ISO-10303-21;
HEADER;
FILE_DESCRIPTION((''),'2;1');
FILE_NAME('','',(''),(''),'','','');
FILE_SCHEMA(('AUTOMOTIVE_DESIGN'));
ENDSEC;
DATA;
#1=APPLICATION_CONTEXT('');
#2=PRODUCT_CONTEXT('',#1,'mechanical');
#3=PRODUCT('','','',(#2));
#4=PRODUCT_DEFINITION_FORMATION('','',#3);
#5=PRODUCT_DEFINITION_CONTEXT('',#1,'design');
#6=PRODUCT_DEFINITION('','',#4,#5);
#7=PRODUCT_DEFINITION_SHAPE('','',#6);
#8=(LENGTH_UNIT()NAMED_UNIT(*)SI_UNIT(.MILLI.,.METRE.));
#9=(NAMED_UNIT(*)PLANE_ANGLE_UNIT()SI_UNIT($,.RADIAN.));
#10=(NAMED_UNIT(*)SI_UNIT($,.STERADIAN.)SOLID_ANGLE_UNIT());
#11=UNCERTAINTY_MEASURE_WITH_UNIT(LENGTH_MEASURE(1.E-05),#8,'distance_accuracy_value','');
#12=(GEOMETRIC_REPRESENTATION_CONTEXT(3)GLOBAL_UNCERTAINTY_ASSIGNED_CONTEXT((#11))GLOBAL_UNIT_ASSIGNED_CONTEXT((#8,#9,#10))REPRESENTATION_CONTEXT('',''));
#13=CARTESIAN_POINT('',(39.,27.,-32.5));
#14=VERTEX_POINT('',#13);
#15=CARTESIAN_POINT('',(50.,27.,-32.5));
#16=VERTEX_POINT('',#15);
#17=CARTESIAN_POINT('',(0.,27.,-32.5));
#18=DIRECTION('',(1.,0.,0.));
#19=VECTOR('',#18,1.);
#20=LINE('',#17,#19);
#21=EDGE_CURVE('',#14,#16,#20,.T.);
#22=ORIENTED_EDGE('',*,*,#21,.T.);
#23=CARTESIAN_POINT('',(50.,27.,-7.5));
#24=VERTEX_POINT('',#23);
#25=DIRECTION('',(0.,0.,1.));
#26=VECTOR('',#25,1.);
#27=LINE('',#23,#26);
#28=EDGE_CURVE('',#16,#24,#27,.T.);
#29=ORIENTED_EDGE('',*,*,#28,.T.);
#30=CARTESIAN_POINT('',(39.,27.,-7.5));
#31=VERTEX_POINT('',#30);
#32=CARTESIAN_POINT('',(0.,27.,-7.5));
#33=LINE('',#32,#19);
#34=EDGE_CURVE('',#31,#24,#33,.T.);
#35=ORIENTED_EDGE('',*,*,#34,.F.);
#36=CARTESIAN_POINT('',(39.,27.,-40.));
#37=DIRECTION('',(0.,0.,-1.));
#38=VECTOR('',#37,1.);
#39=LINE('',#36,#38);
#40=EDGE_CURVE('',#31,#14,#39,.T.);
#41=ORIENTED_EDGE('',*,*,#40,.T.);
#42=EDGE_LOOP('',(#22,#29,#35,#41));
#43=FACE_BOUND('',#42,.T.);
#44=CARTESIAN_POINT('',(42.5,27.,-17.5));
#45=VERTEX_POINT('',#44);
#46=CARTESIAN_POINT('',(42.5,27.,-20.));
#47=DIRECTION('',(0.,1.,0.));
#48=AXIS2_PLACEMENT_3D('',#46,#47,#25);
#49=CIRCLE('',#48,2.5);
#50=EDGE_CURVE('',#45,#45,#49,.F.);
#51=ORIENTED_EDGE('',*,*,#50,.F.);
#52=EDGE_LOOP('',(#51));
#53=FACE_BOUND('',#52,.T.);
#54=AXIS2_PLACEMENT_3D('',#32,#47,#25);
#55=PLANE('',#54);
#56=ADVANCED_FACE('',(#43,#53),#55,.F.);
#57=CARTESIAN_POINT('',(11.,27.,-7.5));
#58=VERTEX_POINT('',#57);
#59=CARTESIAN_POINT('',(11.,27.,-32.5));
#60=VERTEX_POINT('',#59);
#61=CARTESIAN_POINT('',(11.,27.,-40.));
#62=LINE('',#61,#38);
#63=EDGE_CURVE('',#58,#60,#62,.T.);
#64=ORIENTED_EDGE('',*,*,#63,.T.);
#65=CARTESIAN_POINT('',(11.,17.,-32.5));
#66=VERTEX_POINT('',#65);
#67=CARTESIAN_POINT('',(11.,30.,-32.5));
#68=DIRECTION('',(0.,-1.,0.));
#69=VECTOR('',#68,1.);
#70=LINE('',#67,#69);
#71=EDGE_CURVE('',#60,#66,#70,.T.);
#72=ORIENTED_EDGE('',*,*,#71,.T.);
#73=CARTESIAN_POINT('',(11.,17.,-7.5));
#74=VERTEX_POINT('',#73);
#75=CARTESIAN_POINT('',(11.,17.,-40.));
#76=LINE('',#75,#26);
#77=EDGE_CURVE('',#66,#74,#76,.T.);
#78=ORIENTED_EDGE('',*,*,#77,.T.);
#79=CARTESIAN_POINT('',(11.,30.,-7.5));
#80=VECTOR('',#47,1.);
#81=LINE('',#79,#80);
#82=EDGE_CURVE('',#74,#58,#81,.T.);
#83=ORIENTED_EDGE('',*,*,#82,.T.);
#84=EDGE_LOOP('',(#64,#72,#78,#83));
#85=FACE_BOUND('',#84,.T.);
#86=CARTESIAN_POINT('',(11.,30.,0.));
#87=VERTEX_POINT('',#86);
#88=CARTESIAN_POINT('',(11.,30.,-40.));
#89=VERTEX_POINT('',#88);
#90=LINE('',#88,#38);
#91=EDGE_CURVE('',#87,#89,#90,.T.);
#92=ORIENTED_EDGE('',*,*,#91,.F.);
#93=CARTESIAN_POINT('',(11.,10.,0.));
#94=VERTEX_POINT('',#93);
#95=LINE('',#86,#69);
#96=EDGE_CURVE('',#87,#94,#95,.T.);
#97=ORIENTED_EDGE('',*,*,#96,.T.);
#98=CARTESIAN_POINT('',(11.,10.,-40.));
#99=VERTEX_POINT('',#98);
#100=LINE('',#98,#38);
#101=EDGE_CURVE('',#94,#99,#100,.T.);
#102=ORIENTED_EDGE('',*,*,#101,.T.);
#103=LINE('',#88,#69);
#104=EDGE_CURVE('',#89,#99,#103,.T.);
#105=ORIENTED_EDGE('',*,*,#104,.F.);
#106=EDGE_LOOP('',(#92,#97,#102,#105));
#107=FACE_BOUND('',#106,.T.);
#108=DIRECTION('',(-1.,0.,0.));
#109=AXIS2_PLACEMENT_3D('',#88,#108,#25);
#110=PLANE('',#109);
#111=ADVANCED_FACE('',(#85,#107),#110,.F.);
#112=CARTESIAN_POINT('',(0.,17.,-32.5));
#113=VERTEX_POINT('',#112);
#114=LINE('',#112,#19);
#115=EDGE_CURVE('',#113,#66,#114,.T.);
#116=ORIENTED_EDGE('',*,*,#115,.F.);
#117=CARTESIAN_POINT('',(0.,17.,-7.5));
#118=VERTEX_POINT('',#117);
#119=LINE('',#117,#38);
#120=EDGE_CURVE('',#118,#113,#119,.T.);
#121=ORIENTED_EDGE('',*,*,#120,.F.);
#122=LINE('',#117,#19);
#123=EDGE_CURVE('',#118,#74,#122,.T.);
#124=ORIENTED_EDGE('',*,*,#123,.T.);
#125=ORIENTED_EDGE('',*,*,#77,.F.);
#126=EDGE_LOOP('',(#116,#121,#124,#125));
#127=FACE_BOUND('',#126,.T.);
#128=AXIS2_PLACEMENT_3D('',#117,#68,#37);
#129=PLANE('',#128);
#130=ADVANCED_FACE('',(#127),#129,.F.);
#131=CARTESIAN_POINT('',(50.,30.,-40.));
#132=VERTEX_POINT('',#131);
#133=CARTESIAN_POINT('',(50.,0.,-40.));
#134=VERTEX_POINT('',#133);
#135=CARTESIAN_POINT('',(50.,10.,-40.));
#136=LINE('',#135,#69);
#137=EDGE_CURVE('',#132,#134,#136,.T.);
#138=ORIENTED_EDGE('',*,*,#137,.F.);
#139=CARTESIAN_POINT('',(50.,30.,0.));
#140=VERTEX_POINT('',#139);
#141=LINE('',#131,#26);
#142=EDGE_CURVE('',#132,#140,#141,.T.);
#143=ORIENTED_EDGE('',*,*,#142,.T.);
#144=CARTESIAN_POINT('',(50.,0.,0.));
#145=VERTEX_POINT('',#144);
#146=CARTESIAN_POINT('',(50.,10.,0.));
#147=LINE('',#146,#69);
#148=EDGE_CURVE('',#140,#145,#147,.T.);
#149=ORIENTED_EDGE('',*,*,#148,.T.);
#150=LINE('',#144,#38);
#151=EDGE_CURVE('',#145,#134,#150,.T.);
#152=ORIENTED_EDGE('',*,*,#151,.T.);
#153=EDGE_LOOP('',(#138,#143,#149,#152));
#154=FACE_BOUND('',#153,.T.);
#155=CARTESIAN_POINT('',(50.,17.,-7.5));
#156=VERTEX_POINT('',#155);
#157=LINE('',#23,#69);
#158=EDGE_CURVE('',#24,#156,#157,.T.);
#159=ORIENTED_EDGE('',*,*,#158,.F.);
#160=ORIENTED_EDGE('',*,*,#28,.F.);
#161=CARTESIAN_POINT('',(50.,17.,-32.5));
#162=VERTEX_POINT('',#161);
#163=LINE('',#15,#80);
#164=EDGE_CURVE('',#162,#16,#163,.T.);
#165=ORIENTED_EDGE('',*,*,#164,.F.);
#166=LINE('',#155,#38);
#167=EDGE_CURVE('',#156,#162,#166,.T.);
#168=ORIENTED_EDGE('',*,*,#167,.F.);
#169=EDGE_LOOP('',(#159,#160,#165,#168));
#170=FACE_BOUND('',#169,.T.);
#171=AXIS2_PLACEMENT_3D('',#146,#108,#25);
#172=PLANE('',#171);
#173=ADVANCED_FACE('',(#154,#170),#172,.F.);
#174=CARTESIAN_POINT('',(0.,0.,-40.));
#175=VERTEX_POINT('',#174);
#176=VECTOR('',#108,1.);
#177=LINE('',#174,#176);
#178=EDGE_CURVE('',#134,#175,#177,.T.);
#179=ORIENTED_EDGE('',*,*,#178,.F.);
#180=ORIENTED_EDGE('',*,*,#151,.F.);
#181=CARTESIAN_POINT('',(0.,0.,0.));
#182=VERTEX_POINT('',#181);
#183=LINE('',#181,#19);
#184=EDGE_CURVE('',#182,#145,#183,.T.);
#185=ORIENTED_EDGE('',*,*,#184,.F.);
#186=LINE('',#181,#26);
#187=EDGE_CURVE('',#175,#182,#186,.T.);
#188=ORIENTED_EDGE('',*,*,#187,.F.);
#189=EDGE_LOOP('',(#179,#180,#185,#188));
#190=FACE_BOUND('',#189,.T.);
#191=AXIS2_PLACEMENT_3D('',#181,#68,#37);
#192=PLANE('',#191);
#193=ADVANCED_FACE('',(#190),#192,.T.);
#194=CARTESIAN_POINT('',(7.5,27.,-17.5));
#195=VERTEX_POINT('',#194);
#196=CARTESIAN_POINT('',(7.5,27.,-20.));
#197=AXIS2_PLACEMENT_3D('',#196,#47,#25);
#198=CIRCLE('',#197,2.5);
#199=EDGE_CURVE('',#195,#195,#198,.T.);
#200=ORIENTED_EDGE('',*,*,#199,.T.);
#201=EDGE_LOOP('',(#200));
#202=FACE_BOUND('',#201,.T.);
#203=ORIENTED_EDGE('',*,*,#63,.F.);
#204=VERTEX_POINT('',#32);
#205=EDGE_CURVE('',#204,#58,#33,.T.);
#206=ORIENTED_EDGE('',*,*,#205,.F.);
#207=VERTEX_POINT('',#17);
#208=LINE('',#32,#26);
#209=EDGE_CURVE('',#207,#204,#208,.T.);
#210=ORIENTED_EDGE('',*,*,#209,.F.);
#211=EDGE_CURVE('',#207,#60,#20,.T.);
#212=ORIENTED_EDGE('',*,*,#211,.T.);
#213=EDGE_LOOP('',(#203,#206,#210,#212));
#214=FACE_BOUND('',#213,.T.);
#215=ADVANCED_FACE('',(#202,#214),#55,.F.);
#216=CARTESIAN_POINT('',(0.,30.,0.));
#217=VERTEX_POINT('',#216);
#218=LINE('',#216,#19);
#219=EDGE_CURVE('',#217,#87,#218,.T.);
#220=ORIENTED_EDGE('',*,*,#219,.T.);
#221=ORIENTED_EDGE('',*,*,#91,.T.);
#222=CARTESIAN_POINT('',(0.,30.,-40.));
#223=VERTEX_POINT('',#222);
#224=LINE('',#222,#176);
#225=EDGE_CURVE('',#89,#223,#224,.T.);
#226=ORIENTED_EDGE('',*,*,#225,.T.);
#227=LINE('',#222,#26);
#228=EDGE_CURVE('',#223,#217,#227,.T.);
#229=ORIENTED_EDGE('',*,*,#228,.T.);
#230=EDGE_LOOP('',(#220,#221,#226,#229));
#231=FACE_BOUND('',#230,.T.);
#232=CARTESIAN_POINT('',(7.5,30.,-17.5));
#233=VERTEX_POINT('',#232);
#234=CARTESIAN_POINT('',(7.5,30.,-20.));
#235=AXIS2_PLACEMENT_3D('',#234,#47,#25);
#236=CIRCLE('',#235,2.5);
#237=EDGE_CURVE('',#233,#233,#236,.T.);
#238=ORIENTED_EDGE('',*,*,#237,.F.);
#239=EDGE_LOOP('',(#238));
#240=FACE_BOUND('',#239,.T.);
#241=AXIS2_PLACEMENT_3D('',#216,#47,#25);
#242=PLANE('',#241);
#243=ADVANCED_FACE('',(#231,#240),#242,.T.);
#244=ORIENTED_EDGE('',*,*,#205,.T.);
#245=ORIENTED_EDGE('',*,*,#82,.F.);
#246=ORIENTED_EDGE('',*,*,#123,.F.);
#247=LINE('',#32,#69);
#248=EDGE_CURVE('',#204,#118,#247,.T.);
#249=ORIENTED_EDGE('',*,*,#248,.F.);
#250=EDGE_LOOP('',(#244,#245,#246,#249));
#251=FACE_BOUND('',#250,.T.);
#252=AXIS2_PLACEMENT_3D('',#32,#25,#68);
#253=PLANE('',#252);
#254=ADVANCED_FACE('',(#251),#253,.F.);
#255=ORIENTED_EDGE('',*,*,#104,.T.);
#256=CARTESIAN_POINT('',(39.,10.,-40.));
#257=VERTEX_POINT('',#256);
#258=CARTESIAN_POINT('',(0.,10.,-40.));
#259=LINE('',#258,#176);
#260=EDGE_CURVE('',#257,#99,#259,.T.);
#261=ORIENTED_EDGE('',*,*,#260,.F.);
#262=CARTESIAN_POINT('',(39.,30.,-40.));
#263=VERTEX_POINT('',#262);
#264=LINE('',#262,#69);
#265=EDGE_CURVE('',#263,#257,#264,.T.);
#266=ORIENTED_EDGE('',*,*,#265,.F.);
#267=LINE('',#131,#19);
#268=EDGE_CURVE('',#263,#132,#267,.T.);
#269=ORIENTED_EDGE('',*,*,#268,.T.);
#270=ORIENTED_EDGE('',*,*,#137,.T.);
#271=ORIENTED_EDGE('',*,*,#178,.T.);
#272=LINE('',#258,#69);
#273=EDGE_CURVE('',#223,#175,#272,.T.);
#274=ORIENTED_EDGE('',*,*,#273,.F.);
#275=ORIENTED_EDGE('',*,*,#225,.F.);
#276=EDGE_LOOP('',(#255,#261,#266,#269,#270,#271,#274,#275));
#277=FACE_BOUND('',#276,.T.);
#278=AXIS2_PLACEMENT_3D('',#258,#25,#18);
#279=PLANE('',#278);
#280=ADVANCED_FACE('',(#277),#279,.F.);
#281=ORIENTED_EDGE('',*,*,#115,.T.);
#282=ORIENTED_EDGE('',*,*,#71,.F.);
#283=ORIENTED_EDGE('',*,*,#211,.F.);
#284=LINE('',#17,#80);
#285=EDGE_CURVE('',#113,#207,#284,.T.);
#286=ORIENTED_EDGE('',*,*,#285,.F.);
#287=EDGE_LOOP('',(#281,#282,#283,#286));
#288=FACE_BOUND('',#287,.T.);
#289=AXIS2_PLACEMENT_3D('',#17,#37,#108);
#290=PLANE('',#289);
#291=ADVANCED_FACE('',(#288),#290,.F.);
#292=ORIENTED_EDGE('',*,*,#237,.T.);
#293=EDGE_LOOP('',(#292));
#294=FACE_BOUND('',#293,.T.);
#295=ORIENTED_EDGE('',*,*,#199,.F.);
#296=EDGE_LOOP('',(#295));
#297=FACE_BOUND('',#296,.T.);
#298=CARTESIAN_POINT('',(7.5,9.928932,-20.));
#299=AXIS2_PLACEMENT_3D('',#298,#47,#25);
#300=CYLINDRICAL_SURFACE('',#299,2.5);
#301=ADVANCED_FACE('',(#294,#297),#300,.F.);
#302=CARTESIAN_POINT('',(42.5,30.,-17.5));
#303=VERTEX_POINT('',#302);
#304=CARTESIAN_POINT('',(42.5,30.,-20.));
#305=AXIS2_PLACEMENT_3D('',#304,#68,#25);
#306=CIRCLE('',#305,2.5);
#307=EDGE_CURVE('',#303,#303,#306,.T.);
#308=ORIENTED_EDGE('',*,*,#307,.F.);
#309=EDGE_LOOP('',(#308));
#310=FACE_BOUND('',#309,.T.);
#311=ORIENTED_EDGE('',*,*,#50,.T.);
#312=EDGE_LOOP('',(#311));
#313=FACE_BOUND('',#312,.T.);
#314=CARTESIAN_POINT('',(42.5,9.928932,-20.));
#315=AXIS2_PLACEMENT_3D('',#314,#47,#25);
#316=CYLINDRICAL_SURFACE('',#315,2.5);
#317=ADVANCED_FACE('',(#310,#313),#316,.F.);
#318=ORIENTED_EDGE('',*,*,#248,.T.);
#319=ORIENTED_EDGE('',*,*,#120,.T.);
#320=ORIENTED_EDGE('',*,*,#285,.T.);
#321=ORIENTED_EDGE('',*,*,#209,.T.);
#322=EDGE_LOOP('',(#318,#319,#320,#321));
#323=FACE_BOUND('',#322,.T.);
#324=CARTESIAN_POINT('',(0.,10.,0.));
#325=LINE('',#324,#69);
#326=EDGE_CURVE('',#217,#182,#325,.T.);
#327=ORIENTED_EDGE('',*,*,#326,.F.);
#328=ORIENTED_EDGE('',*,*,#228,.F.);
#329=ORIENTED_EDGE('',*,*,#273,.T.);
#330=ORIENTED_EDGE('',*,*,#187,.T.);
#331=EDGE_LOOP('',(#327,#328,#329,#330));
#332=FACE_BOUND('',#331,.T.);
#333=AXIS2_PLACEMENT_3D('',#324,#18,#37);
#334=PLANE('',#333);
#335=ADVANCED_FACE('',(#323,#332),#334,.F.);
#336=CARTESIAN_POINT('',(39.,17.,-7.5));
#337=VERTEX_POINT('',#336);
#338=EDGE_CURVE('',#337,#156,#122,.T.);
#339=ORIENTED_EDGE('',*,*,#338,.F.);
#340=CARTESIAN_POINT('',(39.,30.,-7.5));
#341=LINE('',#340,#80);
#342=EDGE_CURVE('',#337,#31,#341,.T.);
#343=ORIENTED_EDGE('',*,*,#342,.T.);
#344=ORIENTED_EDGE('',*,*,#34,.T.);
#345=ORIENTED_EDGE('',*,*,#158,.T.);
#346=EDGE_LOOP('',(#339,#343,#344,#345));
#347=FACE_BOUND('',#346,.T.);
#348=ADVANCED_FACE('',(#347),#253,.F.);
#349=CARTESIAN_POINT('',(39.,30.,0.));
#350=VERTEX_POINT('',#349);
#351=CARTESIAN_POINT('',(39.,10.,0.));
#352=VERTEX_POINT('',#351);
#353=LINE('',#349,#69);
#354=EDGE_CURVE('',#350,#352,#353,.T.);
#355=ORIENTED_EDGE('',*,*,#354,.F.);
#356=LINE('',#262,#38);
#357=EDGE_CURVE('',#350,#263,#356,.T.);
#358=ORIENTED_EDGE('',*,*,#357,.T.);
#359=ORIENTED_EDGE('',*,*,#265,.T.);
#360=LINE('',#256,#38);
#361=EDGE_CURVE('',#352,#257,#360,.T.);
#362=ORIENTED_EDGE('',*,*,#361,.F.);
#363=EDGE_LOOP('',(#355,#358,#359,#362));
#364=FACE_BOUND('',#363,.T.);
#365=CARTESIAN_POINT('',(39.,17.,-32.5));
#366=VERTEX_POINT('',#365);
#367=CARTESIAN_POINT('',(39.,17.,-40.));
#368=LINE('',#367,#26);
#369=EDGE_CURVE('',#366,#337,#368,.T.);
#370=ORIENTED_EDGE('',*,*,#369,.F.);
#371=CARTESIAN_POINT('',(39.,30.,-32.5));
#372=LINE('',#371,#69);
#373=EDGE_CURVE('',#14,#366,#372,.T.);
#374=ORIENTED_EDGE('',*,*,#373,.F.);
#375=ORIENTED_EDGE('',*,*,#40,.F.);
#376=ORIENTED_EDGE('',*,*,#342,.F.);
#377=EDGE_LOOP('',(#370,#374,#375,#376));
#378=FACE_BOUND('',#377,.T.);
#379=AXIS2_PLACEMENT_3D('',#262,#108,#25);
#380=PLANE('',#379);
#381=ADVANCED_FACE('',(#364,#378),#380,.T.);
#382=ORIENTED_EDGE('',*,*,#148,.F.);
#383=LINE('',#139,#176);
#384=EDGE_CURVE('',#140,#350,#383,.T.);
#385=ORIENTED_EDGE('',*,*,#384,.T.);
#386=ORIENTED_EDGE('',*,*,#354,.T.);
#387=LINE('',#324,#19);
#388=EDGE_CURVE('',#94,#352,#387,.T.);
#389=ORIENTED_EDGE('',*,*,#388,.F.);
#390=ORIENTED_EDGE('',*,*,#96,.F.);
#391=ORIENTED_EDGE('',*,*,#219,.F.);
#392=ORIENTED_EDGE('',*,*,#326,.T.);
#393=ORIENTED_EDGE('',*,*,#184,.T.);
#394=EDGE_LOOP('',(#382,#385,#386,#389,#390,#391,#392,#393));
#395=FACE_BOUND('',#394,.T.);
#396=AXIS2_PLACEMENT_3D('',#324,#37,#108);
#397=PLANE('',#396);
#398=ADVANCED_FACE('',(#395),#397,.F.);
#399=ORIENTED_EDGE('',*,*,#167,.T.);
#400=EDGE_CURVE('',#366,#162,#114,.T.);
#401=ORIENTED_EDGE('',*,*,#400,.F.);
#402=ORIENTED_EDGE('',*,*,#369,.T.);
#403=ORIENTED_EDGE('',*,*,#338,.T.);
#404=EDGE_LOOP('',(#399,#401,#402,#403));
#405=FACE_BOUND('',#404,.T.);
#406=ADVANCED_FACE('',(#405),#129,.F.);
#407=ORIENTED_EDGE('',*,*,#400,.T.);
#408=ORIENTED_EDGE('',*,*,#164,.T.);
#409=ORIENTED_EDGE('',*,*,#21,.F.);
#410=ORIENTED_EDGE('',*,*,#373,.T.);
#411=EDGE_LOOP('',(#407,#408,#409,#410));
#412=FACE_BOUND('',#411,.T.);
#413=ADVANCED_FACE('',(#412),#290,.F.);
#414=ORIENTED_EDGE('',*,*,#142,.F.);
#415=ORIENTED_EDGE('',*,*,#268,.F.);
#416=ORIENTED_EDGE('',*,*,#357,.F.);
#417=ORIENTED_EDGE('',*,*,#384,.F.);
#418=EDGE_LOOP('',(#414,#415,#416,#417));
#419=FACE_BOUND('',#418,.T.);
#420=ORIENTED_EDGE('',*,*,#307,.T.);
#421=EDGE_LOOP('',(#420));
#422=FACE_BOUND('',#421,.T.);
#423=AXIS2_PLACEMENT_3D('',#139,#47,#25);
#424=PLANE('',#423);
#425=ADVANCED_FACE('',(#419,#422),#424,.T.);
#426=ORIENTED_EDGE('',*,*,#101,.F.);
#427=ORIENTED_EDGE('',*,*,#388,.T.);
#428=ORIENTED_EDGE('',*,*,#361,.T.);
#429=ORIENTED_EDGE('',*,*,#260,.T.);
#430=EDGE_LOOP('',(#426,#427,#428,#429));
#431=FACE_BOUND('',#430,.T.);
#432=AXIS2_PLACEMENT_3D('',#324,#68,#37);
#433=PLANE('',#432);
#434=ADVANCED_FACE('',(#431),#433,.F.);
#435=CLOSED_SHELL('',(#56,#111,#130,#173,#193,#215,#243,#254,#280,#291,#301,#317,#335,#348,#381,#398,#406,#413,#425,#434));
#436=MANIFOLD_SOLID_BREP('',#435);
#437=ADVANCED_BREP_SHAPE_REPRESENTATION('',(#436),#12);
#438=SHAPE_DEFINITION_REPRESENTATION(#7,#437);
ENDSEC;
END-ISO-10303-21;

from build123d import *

# Parameters (mm, degrees)
SKETCH1_W           = 50
SKETCH1_H           = 40
BOSS_EXTRUDE1_DEPTH = 10
SKETCH3_W           = 11
SKETCH3_H           = 40
BOSS_EXTRUDE2_DEPTH = 20
SKETCH4_W           = 25
SKETCH4_H           = 10
CUT_EXTRUDE1_DEPTH  = 51
SKETCH5_R           = 2.5
CUT_EXTRUDE2_DEPTH  = 13


with BuildPart() as part:
    # Sketch1 → Boss-Extrude1 (new body)
    with BuildSketch(Plane(origin=(0, 0, 0), x_dir=(1, 0, 0), z_dir=(0, 1, 0))):
        with Locations((25, 20)):
            Rectangle(SKETCH1_W, SKETCH1_H)
    extrude(amount=BOSS_EXTRUDE1_DEPTH)

    # Sketch3 → Boss-Extrude2 (add)
    with BuildSketch(Plane(origin=(0, 10, 0), x_dir=(1, 0, 0), z_dir=(0, 1, 0))):
        with Locations((5.5, 20)):
            Rectangle(SKETCH3_W, SKETCH3_H)
    boss_extrude2 = extrude(amount=BOSS_EXTRUDE2_DEPTH)

    # Mirror1: Boss-Extrude2 across plane
    add(boss_extrude2.mirror(Plane.ZY.offset(-25)))

    # Sketch4 → Cut-Extrude1 (cut, through all)
    with BuildSketch(Plane(origin=(50, 0, 0), x_dir=(0, 0, -1), z_dir=(1, 0, 0))):
        with Locations((20, 22)):
            Rectangle(SKETCH4_W, SKETCH4_H)
    extrude(amount=-CUT_EXTRUDE1_DEPTH, mode=Mode.SUBTRACT)

    # Sketch5 → Cut-Extrude2 (cut)
    with BuildSketch(Plane(origin=(0, 30, 0), x_dir=(1, 0, 0), z_dir=(0, 1, 0))):
        with Locations((7.5, 20)):
            Circle(SKETCH5_R)
    cut_extrude2 = extrude(amount=-CUT_EXTRUDE2_DEPTH, mode=Mode.SUBTRACT)

    # Mirror2: Cut-Extrude2 across plane
    add(cut_extrude2.mirror(Plane.ZY.offset(-25)), mode=Mode.SUBTRACT)


solid = part.part
